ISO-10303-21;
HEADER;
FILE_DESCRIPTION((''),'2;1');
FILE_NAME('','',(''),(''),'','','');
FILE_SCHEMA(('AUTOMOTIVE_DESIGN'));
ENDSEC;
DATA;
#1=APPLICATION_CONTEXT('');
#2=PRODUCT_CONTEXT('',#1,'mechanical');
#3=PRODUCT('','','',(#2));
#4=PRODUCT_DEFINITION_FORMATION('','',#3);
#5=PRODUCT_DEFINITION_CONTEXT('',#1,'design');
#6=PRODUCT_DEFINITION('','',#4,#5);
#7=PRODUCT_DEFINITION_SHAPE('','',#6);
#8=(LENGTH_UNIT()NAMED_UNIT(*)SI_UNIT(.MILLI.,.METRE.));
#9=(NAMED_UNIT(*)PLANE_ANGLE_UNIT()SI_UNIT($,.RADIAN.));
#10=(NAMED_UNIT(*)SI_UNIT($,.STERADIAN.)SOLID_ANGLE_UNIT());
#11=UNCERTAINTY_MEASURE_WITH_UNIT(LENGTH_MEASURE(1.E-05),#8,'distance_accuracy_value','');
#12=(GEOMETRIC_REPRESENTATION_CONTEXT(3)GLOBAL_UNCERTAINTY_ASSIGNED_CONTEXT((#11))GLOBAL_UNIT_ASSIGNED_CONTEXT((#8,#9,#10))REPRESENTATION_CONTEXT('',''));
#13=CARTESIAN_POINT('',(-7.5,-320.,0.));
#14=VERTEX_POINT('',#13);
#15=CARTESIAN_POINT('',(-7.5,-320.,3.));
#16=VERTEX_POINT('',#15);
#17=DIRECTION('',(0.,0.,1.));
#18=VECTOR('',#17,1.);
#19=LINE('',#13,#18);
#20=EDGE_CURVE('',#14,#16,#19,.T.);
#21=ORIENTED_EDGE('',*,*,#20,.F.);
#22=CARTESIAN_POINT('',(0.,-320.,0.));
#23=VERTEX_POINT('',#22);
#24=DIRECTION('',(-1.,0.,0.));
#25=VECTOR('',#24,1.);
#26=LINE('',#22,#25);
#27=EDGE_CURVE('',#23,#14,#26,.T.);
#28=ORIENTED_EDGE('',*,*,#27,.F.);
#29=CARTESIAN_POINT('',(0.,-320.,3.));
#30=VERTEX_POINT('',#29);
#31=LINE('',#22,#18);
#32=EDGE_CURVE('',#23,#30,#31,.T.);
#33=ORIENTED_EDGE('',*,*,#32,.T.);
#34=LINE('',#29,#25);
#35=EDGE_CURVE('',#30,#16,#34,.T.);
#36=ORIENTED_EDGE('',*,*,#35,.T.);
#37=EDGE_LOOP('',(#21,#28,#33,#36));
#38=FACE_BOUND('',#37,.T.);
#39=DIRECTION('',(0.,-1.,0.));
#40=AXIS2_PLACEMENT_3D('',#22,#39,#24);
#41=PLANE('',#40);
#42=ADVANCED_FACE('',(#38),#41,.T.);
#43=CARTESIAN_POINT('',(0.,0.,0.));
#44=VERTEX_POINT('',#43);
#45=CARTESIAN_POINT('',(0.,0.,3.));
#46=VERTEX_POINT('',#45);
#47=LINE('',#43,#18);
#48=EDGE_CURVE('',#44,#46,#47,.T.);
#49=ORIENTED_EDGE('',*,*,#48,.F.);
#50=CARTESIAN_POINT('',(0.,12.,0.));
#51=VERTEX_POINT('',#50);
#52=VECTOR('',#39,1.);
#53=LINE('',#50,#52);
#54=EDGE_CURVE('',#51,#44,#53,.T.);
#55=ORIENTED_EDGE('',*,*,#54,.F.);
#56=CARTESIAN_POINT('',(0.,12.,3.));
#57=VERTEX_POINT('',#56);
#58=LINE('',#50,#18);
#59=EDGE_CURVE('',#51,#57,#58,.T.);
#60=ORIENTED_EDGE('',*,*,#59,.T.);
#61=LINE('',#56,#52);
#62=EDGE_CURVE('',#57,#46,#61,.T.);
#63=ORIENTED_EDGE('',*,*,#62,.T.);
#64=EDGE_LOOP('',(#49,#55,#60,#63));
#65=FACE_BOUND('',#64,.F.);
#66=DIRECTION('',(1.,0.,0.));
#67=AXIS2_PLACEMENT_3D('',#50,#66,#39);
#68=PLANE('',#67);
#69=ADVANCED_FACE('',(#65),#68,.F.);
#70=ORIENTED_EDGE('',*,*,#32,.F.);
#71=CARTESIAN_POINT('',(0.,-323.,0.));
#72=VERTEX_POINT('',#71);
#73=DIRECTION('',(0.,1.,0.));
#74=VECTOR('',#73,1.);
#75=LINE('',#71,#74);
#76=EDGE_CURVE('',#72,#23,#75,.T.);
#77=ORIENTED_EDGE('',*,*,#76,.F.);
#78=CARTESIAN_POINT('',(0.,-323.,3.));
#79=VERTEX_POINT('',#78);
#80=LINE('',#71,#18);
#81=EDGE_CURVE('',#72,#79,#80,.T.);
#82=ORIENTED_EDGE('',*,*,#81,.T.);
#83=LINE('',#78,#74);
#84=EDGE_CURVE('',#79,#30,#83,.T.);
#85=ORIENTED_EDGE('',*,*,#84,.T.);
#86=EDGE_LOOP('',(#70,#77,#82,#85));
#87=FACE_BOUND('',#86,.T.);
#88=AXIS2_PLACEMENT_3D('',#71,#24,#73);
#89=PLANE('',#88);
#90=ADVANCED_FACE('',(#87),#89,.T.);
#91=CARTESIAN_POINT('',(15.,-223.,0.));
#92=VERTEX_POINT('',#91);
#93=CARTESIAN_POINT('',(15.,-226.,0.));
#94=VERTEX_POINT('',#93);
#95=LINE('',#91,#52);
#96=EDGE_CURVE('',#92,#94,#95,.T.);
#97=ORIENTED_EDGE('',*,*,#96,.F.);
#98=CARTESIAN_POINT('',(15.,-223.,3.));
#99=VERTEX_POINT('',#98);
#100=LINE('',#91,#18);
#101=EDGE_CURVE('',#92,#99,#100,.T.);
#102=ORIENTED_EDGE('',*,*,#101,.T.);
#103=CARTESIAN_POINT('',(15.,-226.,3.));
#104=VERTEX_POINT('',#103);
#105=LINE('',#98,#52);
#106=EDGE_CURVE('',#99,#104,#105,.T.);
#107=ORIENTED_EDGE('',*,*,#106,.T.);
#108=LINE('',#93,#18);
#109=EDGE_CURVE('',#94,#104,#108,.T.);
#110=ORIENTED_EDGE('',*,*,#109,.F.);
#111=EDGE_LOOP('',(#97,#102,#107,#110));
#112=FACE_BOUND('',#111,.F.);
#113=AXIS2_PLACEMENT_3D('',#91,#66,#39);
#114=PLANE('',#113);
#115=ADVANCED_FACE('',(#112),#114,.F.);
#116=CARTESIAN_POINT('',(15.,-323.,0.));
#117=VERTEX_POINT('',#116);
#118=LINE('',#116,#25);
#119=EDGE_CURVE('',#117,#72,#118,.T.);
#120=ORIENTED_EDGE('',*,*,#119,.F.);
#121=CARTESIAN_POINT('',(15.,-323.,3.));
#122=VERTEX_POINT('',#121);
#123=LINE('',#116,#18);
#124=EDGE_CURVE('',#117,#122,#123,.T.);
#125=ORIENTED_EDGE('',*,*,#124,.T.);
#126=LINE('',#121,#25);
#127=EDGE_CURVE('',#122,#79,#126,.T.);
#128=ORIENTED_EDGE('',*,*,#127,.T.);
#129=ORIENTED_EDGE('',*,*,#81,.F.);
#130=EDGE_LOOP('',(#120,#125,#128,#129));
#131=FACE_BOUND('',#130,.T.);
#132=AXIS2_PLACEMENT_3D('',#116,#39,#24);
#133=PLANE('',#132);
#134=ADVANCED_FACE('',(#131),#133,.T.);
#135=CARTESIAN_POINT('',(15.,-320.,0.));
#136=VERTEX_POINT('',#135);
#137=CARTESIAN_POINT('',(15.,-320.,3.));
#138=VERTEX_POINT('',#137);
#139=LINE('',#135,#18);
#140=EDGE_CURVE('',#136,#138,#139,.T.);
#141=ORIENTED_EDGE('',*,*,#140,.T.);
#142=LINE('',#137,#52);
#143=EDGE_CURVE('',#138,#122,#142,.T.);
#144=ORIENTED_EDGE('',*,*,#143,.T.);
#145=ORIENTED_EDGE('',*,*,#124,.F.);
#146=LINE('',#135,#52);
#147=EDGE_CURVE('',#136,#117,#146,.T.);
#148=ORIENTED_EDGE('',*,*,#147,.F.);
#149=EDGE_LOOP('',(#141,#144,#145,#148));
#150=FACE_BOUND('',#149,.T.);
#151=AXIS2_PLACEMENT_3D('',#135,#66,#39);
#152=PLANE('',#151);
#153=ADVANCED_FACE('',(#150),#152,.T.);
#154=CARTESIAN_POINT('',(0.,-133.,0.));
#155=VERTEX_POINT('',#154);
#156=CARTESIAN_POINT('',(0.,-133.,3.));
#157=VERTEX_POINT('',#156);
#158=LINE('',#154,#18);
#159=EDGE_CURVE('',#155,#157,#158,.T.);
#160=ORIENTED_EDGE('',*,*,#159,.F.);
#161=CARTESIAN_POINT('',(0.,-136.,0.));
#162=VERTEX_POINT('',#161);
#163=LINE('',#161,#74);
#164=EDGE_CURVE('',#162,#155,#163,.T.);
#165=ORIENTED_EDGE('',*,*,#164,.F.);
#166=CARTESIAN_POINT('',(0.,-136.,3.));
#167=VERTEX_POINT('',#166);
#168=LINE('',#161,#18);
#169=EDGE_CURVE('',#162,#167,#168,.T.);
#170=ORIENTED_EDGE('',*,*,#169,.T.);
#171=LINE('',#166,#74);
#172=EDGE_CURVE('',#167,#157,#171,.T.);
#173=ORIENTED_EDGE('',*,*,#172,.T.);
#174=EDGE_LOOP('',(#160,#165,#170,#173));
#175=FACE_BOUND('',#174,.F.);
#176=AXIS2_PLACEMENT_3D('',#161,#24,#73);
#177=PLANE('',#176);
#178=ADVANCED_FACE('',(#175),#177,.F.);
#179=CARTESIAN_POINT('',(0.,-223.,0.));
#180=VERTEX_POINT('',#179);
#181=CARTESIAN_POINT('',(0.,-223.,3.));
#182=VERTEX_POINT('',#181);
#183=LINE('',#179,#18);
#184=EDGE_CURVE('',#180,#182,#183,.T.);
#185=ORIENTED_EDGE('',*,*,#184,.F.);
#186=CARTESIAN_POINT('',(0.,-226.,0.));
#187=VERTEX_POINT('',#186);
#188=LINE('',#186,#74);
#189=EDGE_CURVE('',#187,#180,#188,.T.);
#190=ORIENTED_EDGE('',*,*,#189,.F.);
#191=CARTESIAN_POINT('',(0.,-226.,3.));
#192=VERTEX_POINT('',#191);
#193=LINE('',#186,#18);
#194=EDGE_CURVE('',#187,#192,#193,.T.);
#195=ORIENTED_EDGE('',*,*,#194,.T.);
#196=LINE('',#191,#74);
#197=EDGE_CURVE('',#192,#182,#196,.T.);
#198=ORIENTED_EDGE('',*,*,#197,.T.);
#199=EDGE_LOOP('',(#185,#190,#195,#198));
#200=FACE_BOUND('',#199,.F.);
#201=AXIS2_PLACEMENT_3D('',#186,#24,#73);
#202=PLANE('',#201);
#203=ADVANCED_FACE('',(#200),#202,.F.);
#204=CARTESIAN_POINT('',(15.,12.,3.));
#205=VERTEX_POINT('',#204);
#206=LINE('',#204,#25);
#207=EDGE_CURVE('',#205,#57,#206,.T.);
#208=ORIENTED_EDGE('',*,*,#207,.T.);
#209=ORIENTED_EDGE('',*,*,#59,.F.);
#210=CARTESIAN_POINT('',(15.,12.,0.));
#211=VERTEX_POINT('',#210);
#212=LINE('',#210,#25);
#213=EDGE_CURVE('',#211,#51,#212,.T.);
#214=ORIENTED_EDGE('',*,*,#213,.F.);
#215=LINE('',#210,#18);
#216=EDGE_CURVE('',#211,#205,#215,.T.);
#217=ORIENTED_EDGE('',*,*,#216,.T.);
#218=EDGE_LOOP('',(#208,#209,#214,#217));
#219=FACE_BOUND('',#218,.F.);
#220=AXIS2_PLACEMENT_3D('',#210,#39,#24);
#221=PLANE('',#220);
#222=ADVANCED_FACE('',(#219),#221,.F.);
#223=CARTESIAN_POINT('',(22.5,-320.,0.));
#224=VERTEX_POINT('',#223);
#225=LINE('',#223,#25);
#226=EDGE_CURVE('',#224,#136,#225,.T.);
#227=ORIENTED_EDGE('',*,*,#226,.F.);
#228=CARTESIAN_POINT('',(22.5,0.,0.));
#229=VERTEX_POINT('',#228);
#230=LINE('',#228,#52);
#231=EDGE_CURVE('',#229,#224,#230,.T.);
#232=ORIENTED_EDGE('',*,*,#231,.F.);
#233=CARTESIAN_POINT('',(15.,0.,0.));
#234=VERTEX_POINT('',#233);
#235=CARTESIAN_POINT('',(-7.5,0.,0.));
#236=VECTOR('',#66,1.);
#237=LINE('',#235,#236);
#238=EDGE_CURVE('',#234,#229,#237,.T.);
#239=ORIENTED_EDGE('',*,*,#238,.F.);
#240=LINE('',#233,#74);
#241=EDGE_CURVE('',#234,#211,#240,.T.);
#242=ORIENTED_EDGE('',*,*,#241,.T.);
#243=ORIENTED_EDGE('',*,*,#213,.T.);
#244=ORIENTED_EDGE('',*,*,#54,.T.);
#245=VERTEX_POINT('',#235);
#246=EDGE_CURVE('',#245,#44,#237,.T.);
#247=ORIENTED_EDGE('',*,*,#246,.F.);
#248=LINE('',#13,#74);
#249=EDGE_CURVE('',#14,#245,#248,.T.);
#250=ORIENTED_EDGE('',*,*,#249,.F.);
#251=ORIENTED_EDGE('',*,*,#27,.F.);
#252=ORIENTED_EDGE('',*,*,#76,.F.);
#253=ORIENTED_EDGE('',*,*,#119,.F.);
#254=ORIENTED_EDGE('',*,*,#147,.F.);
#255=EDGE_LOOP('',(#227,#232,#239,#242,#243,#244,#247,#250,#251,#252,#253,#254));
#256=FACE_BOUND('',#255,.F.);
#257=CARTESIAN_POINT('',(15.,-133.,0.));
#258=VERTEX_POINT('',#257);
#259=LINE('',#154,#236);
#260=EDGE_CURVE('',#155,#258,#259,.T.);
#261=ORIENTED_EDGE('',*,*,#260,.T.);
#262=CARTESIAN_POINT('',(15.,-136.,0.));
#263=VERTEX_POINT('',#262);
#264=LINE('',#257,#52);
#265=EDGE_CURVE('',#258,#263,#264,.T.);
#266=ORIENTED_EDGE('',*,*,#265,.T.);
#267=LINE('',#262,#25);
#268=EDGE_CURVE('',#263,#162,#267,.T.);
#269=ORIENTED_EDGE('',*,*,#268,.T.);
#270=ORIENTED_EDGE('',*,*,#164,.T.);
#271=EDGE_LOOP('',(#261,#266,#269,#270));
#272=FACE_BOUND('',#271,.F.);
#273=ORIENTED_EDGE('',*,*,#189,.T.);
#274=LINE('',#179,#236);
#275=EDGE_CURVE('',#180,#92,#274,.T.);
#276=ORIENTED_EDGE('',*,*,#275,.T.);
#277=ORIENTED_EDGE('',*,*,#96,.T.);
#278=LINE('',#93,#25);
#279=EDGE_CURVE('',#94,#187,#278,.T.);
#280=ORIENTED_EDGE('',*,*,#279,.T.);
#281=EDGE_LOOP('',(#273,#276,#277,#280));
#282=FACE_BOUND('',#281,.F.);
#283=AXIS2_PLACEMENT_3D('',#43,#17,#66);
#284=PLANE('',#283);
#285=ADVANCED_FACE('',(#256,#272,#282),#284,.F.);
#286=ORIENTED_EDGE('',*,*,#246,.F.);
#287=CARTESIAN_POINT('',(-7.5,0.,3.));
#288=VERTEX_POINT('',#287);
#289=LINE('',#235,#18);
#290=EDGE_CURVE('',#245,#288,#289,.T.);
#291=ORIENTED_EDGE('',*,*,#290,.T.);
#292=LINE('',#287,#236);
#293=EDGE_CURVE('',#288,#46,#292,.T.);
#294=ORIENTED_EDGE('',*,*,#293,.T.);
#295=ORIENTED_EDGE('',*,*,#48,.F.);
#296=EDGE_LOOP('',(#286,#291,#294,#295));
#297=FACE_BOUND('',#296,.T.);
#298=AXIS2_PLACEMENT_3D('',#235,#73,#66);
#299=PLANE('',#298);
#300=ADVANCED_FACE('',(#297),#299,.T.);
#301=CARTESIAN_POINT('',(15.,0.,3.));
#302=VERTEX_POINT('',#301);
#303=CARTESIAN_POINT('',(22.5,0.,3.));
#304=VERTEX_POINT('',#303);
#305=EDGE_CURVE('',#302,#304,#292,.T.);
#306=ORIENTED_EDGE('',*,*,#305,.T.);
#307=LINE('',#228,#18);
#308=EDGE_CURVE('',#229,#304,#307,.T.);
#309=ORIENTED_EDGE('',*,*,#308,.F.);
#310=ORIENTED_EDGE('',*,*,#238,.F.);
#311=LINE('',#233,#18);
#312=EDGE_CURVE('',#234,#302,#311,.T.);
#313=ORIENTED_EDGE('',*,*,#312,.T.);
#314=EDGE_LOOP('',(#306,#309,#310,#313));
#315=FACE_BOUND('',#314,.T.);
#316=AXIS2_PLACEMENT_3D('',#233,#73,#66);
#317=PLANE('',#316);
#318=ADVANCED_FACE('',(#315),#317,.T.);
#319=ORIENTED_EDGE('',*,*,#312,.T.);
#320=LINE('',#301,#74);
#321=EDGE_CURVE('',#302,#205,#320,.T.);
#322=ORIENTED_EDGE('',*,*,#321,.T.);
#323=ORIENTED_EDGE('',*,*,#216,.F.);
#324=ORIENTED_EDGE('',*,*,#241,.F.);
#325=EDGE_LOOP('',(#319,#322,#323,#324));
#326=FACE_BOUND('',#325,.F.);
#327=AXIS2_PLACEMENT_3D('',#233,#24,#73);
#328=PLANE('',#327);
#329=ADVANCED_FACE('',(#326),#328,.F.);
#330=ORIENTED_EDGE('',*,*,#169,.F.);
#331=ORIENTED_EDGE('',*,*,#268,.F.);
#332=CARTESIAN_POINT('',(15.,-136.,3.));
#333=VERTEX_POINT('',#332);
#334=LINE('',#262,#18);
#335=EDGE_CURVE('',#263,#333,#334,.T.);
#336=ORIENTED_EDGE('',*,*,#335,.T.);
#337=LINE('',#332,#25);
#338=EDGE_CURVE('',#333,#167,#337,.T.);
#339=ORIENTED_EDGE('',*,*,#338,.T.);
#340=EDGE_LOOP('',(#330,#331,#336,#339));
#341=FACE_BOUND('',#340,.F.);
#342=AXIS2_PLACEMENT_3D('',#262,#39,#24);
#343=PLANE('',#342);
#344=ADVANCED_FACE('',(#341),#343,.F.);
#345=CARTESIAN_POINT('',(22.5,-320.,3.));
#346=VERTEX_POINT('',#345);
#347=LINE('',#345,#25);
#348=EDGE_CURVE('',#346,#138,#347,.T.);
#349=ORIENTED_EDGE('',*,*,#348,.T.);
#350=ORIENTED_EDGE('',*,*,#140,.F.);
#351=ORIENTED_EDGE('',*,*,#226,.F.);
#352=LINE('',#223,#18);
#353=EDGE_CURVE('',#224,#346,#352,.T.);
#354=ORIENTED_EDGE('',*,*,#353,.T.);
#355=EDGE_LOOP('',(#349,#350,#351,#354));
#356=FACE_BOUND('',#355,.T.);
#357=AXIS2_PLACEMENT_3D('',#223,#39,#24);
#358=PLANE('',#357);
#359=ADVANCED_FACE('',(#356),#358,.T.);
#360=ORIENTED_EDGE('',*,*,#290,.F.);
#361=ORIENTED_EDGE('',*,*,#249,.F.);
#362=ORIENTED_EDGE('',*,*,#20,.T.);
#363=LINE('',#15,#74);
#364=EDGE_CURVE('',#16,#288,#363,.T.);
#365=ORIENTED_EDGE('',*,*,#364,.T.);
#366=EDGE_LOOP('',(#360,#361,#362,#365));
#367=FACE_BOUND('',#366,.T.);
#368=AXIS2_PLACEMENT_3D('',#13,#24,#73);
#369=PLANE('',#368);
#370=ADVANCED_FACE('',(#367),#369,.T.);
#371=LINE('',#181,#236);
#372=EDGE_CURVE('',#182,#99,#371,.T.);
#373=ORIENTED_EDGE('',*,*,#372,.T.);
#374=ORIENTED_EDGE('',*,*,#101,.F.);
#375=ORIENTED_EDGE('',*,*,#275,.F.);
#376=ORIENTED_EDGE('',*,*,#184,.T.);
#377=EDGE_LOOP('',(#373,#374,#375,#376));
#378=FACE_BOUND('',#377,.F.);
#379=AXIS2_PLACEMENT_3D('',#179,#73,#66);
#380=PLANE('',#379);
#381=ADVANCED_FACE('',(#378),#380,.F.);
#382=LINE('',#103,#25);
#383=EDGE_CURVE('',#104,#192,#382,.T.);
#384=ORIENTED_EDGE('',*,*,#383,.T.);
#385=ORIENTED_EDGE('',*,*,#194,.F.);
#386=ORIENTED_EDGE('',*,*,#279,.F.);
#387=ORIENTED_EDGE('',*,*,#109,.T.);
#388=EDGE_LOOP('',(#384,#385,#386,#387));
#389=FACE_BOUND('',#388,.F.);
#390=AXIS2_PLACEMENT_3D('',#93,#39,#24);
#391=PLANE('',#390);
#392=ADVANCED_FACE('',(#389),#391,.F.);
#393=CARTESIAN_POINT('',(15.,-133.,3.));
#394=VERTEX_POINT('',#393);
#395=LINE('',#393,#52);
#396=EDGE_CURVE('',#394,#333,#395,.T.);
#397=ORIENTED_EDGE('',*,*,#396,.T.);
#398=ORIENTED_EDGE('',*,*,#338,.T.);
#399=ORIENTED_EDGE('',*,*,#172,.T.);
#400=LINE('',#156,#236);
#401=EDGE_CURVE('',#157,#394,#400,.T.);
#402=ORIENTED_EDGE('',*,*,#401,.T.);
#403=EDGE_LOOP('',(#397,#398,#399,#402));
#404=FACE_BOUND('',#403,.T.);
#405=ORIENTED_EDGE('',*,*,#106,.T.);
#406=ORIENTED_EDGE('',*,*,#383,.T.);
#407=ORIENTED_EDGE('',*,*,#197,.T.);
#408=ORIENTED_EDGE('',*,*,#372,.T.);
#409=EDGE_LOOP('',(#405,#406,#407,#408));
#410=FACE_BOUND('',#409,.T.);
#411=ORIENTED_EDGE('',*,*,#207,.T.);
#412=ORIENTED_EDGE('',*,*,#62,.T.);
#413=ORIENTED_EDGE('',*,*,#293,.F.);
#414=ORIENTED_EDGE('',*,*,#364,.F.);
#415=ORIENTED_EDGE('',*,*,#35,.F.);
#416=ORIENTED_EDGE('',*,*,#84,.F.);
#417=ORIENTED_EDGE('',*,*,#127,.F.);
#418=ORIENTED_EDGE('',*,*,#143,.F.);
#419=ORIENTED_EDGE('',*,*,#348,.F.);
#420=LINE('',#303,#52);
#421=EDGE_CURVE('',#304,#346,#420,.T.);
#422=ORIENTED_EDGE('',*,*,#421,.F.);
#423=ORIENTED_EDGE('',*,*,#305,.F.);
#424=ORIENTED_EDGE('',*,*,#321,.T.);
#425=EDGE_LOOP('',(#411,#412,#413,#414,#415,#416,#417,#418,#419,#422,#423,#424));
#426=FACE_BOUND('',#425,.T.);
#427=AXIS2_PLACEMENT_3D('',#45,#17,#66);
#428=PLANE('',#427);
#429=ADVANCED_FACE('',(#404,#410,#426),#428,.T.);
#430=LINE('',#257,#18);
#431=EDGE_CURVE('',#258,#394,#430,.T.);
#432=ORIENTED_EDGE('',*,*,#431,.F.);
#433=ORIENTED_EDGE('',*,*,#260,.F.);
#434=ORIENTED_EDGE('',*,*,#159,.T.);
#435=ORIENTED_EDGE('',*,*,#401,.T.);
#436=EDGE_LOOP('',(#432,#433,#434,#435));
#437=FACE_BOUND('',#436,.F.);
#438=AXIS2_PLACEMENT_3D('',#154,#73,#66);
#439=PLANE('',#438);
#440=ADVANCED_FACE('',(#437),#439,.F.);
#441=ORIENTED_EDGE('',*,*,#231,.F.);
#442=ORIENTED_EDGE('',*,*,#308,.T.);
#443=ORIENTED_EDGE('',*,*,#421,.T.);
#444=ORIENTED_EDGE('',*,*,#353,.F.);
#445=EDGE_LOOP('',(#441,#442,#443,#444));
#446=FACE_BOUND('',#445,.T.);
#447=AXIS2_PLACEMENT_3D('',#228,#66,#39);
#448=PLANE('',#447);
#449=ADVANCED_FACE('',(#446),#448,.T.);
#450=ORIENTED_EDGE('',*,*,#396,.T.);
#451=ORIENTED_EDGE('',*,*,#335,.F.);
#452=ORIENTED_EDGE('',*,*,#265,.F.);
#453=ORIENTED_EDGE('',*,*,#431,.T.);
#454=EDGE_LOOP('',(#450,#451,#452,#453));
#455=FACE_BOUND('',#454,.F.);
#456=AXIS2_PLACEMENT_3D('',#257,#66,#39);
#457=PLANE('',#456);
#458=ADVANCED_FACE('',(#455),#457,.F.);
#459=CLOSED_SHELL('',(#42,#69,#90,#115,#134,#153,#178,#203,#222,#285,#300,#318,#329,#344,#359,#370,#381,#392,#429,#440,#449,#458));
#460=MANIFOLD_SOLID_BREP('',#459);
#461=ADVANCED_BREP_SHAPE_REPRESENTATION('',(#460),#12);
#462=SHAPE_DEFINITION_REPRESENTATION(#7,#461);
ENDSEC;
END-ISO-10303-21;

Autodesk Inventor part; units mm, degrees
ref_plane "YZ Plane" through (0, 0, 0) normal (1, 0, 0) x (0, 1, 0)
ref_plane "XZ Plane" through (0, 0, 0) normal (0, 1, 0) x (-1, 0, 0)
ref_plane "XY Plane" through (0, 0, 0) normal (0, 0, 1) x (1, 0, 0)
sketch "Sketch1" plane through (0, 0, 0) normal (0, 0, 1) x (1, 0, 0)
  line L0 (0, 0) -> (15, 0)
  line L1 (15, 0) -> (15, 12)
  line L2 (15, 12) -> (0, 12)
  line L3 (0, 12) -> (0, 0)
  line L4 (-7.5, 0) -> (22.5, 0)
  line L5 (22.5, 0) -> (22.5, -320)
  line L6 (-7.5, -320) -> (-7.5, 0)
  line L7 (0, -133) -> (15, -133)
  line L8 (15, -133) -> (15, -136)
  line L9 (15, -136) -> (0, -136)
  line L10 (0, -136) -> (0, -133)
  line L11 (15, -320) -> (15, -323)
  line L12 (15, -323) -> (0, -323)
  line L13 (0, -323) -> (0, -320)
  line L14 (22.5, -320) -> (15, -320)
  line L15 (0, -320) -> (-7.5, -320)
  line L16 (0, -223) -> (15, -223)
  line L17 (15, -223) -> (15, -226)
  line L18 (15, -226) -> (0, -226)
  line L19 (0, -226) -> (0, -223)
  point P0 (7.5, 12)
  point P1 (7.5, -320)
  point P2 (7.5, -133)
  point P3 (7.5, 0)
  point P4 (7.5, -323)
  point P5 (7.5, -223)
  dimension "d0" = 15
  dimension "d1" = 12
  dimension "d3" = 30
  dimension "d6" = 3
  dimension "d8" = 15
  dimension "d9" = 15
  dimension "d11" = 7.5
  dimension "d13" = 22.5
  dimension "d15" = 145
  dimension "d16" = 3
  dimension "d17" = 320
  dimension "d18" = 7.5
  dimension "d21" = 22.5
  dimension "d23" = 15
  dimension "d24" = 3
  dimension "d26" = 90
extrude "Extrusion1" add sketch "Sketch1" along normal blind 3
properties material "MDF Medium Density Fiberboard"
